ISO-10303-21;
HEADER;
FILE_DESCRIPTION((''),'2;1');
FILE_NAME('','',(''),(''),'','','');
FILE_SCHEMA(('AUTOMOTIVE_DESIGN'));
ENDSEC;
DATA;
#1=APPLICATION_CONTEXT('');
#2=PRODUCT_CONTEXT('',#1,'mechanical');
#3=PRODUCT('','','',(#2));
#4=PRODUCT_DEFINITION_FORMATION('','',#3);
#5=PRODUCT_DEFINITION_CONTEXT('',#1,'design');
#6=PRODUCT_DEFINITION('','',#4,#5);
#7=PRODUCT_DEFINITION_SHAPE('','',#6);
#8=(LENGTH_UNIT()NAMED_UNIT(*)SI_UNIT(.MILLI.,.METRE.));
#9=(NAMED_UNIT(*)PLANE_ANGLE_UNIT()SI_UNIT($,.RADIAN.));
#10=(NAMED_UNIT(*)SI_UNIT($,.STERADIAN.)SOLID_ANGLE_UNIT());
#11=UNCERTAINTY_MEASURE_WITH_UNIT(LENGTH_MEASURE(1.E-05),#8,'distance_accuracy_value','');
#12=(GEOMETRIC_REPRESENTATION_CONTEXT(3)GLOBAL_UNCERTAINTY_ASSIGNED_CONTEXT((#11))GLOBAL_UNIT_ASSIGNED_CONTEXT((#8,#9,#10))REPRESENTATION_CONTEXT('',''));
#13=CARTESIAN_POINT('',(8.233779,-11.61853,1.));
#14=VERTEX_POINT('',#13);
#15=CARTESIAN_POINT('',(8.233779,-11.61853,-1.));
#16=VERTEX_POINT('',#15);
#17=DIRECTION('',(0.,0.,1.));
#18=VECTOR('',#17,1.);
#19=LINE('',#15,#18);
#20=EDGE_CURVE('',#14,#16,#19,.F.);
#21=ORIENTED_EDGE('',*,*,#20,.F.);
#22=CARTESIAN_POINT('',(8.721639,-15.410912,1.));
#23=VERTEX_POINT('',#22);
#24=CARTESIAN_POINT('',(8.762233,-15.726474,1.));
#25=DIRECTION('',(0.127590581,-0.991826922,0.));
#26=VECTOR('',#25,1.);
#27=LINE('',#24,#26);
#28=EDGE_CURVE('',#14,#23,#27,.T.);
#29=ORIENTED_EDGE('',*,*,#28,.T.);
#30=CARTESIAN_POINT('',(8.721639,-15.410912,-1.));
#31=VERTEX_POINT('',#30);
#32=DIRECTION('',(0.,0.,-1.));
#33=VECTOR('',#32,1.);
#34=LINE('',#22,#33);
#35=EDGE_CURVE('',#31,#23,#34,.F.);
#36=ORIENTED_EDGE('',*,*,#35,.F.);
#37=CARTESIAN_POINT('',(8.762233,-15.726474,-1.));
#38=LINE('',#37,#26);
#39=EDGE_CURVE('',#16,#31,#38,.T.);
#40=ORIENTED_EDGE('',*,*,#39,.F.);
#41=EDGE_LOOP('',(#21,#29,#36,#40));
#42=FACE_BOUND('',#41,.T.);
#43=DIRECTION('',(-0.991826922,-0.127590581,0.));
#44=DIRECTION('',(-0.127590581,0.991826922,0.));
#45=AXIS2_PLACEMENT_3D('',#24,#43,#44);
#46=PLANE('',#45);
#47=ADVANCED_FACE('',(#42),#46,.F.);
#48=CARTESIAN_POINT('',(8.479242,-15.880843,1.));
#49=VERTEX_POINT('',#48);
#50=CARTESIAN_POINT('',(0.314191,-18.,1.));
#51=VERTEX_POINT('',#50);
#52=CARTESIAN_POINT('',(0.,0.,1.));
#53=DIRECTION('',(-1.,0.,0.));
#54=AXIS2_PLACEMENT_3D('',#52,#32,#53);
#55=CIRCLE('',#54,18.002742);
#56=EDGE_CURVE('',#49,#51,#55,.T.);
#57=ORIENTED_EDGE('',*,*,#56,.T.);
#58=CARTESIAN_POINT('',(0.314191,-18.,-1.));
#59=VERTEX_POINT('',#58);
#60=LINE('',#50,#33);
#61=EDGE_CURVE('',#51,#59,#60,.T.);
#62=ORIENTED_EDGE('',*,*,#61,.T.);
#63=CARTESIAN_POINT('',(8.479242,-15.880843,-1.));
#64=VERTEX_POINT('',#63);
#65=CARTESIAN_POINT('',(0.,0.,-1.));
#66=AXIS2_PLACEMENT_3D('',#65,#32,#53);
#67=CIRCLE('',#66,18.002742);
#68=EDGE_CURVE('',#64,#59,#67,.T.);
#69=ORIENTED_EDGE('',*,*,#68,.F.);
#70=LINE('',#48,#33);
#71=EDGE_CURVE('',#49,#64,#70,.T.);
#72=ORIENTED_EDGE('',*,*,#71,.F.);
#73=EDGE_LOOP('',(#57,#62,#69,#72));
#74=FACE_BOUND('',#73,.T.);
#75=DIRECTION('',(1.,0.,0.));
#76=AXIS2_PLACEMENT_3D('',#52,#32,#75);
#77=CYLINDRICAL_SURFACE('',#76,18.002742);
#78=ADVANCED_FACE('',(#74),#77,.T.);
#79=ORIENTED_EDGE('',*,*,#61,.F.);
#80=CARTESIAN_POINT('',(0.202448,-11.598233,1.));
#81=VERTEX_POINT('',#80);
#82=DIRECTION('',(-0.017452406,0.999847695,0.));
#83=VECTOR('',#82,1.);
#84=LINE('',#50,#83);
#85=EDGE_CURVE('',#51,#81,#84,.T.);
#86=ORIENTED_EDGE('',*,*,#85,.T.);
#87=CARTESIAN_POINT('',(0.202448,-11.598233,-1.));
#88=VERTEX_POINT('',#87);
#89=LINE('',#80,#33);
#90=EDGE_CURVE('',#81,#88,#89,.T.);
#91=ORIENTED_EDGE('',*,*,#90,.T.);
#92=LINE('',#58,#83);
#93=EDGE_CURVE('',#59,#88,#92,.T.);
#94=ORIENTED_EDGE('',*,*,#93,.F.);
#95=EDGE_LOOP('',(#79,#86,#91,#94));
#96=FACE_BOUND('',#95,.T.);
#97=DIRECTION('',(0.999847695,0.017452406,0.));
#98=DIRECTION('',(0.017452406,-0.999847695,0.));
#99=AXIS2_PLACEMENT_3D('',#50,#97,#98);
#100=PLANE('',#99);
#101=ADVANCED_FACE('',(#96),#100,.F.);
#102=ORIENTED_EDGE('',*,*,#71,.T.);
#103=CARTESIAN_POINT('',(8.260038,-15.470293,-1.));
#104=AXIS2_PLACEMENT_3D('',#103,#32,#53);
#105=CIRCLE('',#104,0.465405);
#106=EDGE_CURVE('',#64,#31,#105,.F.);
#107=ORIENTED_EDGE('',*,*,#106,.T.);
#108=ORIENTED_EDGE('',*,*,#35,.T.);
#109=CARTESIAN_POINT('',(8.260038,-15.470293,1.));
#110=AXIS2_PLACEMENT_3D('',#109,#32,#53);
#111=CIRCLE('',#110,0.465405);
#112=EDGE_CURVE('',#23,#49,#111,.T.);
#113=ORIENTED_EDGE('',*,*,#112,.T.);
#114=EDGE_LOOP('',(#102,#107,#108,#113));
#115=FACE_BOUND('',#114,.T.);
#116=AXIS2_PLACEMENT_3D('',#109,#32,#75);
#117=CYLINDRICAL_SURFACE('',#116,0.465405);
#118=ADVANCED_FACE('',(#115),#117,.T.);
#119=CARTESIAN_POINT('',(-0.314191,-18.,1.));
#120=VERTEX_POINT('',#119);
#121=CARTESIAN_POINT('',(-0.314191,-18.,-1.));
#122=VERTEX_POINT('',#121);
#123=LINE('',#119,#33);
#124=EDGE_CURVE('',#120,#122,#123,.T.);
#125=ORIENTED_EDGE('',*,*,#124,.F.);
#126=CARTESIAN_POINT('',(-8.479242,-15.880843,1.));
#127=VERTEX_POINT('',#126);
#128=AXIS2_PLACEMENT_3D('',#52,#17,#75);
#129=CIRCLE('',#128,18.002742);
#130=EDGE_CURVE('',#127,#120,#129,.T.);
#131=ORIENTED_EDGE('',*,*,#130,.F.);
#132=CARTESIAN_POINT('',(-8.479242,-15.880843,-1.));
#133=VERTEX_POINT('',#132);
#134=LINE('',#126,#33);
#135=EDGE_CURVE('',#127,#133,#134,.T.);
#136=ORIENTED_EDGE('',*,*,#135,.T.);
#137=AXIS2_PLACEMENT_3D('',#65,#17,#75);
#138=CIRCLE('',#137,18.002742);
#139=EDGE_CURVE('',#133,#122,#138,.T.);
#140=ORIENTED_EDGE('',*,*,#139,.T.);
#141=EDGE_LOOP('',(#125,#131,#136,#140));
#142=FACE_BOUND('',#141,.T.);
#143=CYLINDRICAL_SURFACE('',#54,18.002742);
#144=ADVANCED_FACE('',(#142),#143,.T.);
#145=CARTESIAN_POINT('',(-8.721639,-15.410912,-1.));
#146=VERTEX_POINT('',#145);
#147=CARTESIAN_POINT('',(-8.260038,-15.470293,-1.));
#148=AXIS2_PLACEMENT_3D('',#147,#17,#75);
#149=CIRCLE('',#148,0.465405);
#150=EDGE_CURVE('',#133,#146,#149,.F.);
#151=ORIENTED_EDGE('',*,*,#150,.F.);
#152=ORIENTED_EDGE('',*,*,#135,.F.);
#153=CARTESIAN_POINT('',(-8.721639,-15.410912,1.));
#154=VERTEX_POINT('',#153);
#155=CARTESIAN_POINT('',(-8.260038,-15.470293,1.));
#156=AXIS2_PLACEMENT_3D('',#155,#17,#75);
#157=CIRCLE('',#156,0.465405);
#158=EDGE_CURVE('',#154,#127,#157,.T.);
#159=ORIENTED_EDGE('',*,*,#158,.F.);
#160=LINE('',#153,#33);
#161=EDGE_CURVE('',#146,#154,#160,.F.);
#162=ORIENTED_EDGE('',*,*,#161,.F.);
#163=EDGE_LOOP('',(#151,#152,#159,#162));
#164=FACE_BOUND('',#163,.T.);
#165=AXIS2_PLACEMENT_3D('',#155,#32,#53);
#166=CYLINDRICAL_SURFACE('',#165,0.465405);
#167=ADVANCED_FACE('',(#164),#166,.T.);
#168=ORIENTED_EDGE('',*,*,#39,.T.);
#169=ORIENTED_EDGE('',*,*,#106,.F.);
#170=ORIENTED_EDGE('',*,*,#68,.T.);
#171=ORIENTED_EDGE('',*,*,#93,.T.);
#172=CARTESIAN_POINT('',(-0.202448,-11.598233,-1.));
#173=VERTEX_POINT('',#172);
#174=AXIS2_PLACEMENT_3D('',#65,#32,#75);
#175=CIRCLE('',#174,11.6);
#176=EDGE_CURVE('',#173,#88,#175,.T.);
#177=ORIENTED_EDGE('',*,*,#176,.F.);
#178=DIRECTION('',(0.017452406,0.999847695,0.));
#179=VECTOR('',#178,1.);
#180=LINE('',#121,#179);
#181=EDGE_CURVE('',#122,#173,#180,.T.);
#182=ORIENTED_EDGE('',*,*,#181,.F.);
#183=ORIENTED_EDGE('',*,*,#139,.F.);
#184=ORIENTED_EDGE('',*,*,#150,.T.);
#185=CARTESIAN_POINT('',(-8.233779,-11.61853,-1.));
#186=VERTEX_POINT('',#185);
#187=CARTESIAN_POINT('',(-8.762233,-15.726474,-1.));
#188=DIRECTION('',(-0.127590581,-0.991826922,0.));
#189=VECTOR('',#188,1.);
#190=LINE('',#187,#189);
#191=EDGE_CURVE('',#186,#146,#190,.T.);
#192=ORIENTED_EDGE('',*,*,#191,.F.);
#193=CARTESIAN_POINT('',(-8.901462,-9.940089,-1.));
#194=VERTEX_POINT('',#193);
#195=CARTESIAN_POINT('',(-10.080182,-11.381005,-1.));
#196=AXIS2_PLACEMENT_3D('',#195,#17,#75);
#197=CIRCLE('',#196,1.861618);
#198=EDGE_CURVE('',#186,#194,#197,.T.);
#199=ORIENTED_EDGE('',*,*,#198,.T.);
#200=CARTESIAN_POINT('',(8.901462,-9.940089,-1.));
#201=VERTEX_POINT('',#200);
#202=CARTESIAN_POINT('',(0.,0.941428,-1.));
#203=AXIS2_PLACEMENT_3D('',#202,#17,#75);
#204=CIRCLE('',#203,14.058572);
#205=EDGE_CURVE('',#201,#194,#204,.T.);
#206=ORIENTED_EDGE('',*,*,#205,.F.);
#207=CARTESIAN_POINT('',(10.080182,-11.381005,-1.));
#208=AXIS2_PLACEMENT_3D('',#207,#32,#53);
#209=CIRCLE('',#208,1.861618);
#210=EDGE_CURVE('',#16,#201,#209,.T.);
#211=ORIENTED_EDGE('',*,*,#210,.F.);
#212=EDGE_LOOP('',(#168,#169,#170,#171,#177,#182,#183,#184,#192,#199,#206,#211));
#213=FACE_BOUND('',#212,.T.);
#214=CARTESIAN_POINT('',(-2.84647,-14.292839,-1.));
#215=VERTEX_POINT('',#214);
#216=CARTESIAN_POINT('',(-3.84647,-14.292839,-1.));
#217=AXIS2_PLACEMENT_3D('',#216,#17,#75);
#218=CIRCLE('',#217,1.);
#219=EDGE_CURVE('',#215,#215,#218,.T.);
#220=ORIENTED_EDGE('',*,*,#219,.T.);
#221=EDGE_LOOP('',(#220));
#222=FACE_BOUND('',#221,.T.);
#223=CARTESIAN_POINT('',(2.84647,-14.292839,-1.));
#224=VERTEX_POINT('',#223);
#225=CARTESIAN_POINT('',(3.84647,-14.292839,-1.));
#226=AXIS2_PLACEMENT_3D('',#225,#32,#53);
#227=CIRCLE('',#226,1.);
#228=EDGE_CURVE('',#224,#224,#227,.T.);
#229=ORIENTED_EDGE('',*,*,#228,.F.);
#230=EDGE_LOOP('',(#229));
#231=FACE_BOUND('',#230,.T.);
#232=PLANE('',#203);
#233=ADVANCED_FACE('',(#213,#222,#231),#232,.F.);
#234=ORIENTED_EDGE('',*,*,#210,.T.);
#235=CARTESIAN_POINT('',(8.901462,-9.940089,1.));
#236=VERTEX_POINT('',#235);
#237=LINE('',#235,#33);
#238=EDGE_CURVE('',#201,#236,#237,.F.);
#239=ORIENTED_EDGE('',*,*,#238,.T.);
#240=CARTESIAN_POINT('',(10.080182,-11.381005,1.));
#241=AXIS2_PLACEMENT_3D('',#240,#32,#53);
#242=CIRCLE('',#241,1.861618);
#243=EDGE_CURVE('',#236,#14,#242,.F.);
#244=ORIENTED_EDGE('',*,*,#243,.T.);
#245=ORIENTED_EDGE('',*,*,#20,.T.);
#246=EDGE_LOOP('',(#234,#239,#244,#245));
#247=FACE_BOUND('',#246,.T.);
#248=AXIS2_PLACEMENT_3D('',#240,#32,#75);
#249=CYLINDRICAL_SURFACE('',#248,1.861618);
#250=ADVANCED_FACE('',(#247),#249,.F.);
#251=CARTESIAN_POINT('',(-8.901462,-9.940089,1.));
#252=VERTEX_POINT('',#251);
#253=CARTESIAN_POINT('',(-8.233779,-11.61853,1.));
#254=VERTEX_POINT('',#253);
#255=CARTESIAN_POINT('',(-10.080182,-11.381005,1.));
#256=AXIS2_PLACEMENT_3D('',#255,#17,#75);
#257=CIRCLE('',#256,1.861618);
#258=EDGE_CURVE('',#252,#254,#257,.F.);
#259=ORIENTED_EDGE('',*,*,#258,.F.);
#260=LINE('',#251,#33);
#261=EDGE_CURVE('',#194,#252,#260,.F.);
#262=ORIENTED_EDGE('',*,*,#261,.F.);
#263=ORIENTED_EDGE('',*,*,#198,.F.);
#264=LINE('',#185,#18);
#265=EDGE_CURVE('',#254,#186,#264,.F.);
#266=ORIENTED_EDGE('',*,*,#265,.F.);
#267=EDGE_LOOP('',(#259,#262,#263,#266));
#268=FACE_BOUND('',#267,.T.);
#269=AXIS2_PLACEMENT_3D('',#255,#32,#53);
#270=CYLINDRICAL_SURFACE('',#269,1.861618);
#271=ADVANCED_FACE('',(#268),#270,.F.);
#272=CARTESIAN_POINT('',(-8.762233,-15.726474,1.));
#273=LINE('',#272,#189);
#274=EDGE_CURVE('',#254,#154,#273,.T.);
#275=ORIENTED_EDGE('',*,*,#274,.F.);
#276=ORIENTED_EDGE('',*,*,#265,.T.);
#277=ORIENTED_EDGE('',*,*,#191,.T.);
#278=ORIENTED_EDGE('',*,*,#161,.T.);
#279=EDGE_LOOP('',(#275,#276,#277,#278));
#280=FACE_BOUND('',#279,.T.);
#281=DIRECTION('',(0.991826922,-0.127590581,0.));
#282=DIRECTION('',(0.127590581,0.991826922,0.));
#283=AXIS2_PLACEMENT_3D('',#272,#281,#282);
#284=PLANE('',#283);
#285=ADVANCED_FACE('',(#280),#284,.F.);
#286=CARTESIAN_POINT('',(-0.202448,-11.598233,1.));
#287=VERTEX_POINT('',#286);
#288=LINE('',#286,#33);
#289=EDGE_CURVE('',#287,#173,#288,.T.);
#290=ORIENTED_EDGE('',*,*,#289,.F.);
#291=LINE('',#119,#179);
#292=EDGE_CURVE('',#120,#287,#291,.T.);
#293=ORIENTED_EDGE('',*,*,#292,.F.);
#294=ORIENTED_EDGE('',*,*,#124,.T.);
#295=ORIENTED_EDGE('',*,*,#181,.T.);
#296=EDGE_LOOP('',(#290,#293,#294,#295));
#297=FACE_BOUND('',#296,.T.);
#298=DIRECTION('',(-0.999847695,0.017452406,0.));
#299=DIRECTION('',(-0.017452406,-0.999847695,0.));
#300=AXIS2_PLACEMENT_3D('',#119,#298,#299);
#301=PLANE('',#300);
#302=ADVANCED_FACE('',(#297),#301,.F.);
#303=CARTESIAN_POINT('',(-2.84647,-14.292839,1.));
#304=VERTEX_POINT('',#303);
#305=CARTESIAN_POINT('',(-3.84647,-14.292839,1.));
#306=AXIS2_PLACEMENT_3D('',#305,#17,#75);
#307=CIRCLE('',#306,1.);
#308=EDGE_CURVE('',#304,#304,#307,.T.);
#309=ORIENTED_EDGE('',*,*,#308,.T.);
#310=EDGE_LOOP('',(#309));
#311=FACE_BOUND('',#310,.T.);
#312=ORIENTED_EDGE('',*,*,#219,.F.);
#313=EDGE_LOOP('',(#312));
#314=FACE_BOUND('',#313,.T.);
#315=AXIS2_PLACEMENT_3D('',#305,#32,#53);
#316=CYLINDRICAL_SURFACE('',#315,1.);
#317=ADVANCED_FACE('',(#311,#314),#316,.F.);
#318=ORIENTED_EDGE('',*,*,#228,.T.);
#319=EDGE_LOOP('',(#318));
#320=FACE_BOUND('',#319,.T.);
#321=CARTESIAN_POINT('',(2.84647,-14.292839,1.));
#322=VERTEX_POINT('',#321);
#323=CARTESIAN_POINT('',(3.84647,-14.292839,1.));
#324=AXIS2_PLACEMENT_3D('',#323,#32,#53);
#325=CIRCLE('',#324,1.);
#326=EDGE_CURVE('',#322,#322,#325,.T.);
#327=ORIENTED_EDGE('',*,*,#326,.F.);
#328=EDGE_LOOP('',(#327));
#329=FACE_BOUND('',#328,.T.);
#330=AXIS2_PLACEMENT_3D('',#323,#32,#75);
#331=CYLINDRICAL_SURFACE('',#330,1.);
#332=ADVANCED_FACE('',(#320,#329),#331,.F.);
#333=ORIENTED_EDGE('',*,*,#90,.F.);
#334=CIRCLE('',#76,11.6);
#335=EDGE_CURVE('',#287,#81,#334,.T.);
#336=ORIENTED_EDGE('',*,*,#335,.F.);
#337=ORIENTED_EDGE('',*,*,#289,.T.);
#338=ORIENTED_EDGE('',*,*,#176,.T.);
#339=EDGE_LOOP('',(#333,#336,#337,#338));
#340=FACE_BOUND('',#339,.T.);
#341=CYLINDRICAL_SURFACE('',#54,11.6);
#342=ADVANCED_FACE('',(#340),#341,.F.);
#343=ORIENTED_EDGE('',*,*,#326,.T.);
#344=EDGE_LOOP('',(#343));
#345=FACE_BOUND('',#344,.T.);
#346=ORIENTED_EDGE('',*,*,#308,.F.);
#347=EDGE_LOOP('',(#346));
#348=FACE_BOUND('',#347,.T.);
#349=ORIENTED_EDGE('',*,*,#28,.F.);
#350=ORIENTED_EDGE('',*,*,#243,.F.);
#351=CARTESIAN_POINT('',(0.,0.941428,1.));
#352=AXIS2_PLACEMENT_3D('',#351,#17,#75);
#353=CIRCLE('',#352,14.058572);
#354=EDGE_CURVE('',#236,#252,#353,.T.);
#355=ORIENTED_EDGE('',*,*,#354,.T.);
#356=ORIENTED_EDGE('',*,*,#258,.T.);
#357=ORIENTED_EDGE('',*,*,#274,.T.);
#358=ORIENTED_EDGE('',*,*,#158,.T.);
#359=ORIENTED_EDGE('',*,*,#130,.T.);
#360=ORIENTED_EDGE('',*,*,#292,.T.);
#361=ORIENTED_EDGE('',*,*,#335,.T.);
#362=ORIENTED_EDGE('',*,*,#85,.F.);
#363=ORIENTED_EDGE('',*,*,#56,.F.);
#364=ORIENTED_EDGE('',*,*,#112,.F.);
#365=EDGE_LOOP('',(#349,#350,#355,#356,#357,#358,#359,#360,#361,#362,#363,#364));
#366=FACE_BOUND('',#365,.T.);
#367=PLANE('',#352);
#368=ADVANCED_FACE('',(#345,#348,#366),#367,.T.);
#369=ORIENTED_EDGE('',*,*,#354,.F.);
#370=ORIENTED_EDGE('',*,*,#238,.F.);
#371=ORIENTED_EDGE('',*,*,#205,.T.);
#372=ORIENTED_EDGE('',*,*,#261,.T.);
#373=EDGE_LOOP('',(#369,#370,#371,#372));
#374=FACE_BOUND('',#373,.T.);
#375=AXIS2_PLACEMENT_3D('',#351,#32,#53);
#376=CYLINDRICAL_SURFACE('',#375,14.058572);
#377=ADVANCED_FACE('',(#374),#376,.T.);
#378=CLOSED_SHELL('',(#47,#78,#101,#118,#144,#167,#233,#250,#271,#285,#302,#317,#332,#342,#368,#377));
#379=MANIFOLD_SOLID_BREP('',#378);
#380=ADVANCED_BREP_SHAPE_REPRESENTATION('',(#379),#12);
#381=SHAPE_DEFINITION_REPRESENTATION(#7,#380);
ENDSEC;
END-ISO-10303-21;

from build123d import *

# Parameters (mm, degrees)
SKETCH2_R           = 1
BOSS_EXTRUDE1_DEPTH = 1
FILLET1_R           = 1.861618014
FILLET2_R           = 0.465404504


with BuildPart() as part:
    # Sketch2 → Boss-Extrude1 (new body, symmetric)
    with BuildSketch(Plane.XY):
        with BuildLine():
            Line((-8.762233136, -15.726474067), (-8.096527006, -10.551599426))
            ThreePointArc((-8.096527006, -10.551599426), (-13.401846727, 5.188067163), (0, 15))
            Line((0, 15), (0, 11.6))
            ThreePointArc((0, 11.6), (-11.599558308, 0.101227812), (-0.202447915, -11.598233264))
            Line((-0.202447915, -11.598233264), (-0.314191169, -18))
            ThreePointArc((-0.314191169, -18), (-4.678418491, -17.384220331), (-8.762233136, -15.726474067))
        make_face()
        with Locations((-3.84647005, -14.292839124)):
            Circle(SKETCH2_R, mode=Mode.SUBTRACT)
    extrude(amount=BOSS_EXTRUDE1_DEPTH, both=True)

    # Fillet1
    fillet1_edges = [part.edges().sort_by_distance(p)[0] for p in [
        (-8.096527006, -10.551599426, 0),
    ]]
    fillet(fillet1_edges, radius=FILLET1_R)

    # Fillet2
    fillet2_edges = [part.edges().sort_by_distance(p)[0] for p in [
        (-8.762233136, -15.726474067, 0),
    ]]
    fillet(fillet2_edges, radius=FILLET2_R)

    # Mirror1: part across face


with BuildPart() as part_1:
    add(part.part)
    add(part.part.mirror(Plane(origin=(0, 13.3, 0), x_dir=(0, 0, 1), z_dir=(1, 0, 0))))


solid = part_1.part
